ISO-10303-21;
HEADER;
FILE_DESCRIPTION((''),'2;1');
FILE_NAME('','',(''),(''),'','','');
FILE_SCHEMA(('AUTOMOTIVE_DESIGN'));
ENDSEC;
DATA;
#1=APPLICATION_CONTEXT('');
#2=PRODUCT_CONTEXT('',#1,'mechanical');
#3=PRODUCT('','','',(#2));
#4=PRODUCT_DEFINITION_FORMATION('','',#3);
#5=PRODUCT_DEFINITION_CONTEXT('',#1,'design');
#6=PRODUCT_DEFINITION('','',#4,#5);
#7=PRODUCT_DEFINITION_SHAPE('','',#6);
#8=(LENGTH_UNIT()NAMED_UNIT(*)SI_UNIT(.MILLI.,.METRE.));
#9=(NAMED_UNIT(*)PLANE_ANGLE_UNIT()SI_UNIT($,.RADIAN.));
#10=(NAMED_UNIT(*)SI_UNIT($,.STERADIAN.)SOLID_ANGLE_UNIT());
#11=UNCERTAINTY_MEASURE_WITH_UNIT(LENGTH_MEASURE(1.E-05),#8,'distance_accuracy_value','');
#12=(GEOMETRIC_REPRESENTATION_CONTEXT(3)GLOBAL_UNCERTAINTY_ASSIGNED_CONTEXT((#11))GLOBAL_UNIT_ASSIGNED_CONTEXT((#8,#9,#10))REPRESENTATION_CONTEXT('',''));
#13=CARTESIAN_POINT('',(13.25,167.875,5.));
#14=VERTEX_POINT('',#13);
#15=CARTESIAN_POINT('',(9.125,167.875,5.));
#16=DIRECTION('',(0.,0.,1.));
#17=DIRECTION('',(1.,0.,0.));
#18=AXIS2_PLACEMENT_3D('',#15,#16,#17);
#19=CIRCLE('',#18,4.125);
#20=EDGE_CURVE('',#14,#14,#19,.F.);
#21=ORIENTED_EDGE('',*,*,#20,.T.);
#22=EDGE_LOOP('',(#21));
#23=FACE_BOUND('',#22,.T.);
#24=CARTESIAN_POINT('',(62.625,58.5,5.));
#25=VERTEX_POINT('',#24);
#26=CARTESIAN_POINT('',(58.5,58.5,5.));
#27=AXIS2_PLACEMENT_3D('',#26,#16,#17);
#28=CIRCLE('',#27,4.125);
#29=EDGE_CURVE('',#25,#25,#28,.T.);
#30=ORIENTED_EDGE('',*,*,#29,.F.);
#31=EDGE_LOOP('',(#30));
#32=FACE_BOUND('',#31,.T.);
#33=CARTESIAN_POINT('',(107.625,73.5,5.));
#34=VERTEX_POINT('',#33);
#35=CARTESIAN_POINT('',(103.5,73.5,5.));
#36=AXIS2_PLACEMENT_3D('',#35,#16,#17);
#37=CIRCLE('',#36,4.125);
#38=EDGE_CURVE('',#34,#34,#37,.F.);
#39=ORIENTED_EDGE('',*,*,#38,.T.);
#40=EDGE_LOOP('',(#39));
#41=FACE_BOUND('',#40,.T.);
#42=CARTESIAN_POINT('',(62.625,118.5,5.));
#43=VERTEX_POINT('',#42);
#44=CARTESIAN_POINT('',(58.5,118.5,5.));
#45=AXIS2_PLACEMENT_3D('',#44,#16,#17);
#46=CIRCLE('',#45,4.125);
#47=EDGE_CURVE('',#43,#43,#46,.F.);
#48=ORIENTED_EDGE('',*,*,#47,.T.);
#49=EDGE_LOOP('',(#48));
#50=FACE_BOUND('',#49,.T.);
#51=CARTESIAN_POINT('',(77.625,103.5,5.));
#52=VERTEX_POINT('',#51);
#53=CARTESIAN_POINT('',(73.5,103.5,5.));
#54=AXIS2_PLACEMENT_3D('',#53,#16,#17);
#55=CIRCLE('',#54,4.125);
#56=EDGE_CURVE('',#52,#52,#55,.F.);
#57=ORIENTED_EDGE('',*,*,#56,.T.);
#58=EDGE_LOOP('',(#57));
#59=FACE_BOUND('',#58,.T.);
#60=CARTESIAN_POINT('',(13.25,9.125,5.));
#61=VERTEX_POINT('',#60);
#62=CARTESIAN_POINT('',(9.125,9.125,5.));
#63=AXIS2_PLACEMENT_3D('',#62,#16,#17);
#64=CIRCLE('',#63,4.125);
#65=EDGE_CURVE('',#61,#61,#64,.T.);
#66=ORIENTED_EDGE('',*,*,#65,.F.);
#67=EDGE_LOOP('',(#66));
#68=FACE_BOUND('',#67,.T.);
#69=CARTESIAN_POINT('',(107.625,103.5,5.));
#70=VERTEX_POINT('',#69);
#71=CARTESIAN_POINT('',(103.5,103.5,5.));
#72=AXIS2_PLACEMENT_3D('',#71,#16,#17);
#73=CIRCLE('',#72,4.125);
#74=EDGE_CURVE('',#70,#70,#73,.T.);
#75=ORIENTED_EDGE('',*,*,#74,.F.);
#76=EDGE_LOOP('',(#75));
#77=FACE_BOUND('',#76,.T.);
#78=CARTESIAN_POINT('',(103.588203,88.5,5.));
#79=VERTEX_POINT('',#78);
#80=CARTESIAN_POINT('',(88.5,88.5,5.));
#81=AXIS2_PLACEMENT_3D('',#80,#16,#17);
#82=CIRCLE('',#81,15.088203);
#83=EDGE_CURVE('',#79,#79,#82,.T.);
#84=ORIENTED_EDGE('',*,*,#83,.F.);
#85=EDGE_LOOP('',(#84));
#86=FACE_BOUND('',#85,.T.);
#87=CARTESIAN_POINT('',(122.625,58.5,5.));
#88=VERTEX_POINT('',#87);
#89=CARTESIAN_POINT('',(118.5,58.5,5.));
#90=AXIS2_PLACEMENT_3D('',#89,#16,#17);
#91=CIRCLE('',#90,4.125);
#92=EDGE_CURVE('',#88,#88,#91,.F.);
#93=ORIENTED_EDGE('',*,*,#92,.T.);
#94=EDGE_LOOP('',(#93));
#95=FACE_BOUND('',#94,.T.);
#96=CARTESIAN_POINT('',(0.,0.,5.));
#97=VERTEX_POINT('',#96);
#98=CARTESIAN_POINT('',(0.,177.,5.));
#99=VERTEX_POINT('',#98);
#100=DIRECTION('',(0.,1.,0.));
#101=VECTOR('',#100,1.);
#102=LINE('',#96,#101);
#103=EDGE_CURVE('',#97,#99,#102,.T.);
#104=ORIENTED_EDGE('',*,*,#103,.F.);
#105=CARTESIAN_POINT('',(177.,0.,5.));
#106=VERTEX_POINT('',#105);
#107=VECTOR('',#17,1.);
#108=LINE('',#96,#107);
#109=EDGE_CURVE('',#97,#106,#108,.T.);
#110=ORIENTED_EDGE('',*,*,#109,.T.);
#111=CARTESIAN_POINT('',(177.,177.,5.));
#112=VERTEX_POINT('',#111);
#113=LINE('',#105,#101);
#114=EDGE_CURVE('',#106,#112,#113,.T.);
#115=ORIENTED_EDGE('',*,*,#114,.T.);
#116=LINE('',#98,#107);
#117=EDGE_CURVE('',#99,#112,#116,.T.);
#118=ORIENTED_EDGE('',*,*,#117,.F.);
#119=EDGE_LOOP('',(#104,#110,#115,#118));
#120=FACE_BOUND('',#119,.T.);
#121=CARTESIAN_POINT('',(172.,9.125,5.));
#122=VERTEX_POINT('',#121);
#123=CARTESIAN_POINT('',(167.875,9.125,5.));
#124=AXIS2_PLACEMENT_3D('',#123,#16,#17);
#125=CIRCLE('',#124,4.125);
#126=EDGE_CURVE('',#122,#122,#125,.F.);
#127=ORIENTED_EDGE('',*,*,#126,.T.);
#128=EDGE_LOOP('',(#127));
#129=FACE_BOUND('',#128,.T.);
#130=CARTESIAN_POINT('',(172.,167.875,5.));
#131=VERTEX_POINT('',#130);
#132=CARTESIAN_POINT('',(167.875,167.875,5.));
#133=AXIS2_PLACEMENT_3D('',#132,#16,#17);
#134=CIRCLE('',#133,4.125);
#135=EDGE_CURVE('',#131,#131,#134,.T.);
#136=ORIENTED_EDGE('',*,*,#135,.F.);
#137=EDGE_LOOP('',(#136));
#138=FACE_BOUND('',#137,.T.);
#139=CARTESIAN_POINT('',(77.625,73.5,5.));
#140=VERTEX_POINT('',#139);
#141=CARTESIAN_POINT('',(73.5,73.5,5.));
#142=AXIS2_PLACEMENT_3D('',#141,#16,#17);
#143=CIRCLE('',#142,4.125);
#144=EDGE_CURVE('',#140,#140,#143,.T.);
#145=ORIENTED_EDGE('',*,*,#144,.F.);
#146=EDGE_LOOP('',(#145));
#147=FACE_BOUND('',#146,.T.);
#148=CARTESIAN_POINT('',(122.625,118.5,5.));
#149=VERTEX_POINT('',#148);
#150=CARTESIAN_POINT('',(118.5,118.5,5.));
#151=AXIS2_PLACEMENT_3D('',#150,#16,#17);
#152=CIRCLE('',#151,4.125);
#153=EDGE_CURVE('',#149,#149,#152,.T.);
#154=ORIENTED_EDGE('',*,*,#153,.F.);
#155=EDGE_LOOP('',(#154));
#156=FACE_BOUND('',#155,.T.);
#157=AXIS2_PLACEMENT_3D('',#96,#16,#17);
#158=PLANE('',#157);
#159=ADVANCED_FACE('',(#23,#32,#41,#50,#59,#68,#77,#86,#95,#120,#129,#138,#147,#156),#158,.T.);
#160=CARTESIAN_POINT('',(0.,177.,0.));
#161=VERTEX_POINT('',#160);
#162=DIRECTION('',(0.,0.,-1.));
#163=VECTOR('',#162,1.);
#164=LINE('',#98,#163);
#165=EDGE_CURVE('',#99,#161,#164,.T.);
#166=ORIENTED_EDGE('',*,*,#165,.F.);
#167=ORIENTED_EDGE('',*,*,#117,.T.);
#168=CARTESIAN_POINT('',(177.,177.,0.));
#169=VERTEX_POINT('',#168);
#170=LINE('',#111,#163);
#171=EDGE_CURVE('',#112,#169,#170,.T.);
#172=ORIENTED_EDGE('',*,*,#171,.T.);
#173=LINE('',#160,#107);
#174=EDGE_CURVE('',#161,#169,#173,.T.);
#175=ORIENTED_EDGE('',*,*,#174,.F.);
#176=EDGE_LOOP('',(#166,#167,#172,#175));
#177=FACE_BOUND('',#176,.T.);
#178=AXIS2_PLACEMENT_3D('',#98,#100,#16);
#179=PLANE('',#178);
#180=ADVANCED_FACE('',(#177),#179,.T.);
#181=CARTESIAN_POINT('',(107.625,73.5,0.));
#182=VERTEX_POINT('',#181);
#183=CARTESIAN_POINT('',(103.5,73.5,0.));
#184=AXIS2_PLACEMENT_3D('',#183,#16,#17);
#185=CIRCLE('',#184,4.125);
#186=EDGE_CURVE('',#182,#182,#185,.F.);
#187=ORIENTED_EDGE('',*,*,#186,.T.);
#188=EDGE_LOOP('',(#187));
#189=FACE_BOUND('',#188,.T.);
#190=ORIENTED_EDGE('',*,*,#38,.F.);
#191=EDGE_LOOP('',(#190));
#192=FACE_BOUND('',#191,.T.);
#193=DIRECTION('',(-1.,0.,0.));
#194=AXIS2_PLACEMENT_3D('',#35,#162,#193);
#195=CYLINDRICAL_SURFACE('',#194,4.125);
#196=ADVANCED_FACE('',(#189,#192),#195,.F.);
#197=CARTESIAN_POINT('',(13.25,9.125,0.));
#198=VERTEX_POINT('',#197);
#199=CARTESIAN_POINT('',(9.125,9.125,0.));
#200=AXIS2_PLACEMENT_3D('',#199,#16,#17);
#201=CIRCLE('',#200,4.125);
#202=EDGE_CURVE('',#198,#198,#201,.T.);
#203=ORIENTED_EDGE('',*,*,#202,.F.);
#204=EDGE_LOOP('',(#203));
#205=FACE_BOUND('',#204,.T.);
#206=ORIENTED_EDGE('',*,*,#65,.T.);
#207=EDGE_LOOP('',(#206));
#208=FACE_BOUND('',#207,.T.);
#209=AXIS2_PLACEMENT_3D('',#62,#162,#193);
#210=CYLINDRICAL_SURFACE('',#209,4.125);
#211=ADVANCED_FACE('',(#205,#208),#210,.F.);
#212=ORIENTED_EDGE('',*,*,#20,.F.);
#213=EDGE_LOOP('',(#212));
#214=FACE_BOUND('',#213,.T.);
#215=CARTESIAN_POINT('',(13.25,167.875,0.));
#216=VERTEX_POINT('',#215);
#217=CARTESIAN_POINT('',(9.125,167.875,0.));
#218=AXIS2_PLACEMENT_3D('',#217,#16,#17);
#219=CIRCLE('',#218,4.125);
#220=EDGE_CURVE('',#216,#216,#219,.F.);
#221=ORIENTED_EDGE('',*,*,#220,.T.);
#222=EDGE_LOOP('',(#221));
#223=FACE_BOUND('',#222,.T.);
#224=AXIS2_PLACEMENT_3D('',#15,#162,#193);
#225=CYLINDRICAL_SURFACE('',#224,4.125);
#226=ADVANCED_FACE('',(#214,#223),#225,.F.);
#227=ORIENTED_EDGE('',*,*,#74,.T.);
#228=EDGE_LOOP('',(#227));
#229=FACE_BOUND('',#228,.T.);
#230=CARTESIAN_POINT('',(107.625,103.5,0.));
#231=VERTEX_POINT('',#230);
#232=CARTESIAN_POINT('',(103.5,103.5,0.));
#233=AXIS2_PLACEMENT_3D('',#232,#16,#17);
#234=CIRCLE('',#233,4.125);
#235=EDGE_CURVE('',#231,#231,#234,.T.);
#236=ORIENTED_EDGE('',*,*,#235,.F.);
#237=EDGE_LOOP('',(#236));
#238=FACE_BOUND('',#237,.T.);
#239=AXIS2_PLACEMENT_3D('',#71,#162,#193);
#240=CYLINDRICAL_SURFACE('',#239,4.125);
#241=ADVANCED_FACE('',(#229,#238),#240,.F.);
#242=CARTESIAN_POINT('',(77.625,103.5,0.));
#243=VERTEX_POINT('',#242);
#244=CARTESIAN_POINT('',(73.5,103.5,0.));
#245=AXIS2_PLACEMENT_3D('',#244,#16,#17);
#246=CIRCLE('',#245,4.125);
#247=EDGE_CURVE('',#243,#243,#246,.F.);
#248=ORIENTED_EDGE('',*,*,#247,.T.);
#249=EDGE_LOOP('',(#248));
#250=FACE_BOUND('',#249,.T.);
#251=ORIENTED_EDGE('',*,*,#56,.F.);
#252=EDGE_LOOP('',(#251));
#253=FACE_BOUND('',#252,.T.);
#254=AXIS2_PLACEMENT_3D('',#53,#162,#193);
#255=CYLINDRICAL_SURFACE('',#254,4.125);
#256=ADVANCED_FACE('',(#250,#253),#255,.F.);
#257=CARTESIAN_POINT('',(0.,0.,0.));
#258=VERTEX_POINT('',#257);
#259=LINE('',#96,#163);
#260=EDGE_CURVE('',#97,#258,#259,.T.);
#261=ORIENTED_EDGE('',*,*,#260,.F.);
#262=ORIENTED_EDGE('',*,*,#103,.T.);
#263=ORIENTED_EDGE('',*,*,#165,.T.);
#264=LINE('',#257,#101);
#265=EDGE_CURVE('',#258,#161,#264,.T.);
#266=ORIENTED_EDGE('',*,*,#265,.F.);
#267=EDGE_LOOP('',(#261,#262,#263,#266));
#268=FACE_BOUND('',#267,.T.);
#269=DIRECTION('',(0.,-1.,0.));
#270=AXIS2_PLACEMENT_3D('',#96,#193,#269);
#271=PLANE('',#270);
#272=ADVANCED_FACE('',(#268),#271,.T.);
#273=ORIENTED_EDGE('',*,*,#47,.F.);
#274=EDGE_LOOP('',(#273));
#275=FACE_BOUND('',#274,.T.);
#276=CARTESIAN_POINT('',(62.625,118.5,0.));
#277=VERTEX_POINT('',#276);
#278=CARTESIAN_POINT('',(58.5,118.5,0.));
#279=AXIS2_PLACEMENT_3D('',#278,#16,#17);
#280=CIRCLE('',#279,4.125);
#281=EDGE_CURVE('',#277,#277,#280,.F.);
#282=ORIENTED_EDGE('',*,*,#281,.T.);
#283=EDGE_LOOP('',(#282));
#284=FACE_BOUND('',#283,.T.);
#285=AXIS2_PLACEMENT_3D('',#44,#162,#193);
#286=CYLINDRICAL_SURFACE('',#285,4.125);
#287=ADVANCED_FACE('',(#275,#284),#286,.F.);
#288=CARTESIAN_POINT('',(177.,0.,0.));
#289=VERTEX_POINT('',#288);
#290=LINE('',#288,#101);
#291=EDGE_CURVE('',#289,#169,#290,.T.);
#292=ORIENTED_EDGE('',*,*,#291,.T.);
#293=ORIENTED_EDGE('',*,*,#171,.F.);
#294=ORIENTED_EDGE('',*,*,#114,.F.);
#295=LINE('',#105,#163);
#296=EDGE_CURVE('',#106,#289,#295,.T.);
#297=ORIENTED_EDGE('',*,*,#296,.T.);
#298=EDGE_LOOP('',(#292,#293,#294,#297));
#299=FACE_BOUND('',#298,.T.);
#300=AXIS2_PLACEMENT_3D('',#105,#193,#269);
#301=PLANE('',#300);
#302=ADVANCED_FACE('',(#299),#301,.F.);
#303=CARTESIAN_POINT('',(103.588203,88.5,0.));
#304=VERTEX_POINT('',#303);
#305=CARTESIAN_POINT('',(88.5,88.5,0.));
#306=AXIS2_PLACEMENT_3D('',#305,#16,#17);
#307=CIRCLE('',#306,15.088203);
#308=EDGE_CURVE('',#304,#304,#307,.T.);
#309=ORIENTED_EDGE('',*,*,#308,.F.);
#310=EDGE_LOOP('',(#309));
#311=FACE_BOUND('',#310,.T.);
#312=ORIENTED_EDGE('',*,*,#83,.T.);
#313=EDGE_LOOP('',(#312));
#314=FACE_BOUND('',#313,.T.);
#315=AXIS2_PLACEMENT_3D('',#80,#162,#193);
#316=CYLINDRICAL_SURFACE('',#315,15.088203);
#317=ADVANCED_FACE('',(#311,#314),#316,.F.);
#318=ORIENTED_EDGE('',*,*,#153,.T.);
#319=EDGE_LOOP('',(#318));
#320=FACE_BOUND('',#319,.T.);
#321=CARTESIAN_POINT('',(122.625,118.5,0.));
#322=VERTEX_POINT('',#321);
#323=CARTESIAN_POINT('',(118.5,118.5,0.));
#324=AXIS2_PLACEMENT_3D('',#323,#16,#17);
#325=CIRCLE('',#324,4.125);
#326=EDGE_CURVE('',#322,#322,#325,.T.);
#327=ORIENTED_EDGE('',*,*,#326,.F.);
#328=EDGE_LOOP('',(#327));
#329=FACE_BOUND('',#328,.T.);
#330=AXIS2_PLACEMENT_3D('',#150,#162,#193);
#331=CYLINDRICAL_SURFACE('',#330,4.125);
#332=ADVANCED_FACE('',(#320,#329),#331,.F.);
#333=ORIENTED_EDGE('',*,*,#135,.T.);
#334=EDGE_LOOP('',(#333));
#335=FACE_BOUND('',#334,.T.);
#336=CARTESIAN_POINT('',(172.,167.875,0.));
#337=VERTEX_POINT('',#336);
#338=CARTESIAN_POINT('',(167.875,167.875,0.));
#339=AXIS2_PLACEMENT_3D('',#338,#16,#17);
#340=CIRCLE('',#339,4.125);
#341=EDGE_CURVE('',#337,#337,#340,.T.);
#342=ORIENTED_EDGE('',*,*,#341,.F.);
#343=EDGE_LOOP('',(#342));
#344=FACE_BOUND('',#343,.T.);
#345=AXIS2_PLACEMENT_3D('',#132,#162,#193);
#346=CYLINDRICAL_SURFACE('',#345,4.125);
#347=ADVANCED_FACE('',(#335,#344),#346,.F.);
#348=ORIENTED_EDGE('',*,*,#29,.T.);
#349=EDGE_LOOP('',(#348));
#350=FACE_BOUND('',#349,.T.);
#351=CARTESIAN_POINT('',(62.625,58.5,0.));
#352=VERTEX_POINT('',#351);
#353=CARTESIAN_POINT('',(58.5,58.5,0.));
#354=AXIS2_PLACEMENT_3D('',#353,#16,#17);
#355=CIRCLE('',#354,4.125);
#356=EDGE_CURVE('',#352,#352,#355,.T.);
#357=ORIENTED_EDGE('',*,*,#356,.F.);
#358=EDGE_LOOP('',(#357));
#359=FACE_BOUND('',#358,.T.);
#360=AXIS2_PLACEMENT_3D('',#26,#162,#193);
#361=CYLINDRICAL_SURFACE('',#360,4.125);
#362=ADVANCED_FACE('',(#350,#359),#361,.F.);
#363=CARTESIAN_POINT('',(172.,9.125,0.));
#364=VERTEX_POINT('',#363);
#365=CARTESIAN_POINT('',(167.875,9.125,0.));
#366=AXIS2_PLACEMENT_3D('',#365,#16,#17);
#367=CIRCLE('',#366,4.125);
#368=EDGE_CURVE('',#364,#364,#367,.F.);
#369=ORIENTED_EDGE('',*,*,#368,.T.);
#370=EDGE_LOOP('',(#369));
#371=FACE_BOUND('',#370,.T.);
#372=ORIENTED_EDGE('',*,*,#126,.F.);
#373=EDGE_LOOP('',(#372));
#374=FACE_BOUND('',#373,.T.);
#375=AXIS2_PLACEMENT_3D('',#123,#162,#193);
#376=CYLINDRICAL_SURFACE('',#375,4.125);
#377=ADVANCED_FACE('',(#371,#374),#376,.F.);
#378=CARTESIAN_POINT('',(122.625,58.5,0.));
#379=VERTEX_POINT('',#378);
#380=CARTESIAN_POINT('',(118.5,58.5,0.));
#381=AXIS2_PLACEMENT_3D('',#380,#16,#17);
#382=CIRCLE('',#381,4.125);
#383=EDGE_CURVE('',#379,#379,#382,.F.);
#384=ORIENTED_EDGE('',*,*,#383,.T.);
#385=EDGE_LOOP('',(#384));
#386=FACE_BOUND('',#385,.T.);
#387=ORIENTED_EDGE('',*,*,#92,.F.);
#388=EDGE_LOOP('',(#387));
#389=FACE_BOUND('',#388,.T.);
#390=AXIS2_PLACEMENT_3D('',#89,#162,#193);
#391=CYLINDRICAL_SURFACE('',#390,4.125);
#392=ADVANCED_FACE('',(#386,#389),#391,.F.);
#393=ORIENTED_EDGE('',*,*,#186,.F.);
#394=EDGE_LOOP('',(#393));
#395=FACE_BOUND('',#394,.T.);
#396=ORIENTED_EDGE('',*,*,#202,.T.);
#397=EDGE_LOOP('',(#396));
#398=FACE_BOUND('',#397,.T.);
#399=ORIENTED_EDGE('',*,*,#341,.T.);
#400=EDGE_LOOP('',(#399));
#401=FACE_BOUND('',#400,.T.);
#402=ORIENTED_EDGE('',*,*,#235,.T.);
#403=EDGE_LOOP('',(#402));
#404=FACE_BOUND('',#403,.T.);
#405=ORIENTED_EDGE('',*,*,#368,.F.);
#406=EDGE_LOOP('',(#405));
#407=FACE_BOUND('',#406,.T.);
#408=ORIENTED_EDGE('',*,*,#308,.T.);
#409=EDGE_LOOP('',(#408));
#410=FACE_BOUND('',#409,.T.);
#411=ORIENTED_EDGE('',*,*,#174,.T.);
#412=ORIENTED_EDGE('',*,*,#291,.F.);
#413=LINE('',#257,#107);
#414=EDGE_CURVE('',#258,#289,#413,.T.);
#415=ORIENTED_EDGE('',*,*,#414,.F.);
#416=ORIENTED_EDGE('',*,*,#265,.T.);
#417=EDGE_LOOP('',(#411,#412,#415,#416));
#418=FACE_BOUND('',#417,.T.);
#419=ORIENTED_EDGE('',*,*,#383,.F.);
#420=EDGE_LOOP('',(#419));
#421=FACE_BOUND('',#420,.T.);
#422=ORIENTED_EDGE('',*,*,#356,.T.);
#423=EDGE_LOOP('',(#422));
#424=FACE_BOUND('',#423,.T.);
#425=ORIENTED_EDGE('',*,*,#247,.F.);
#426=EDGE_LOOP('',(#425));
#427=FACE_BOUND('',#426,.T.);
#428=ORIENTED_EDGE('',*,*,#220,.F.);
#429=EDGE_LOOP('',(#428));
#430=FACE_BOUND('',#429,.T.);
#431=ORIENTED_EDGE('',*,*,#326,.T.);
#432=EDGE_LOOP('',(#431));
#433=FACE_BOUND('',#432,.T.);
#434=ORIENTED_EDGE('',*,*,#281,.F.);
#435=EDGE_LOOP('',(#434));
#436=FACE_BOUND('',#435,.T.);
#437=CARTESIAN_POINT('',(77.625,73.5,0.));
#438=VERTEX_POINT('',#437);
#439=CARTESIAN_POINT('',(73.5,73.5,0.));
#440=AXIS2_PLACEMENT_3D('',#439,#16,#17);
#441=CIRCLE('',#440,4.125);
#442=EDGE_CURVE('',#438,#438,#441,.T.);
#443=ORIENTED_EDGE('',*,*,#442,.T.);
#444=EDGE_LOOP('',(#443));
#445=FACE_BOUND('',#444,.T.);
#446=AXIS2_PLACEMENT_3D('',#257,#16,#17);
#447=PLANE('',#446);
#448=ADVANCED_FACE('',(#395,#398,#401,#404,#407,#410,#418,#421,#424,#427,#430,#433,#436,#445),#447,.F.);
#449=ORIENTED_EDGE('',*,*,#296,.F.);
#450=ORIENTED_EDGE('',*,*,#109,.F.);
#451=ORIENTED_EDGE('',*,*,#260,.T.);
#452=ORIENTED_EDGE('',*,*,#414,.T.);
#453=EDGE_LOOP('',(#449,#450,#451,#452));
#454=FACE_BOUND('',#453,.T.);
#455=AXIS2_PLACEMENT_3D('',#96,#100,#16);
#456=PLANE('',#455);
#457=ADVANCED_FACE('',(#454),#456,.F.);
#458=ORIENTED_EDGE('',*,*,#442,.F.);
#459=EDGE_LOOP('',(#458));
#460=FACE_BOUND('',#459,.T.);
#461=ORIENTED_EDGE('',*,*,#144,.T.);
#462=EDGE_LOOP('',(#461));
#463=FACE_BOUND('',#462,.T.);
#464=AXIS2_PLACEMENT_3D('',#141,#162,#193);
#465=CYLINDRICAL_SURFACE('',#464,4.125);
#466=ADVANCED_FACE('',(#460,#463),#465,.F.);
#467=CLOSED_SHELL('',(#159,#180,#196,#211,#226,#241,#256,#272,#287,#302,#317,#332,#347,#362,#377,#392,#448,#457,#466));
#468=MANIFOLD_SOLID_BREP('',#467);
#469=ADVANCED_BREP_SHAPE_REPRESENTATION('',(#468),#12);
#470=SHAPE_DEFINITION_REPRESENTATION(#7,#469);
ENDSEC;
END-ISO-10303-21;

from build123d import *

# Parameters (mm, degrees)
SKETCH1_W           = 177
SKETCH1_H           = 177
SKETCH1_R           = 4.125
SKETCH1_R_2         = 15.088203436
BOSS_EXTRUDE1_DEPTH = 5


with BuildPart() as part:
    # Sketch1 → Boss-Extrude1 (new body)
    with BuildSketch(Plane.XY):
        with Locations((88.5, 88.5)):
            Rectangle(SKETCH1_W, SKETCH1_H)
        with Locations((9.125, 9.125)):
            Circle(SKETCH1_R, mode=Mode.SUBTRACT)
        with Locations((167.875, 9.125)):
            Circle(SKETCH1_R, mode=Mode.SUBTRACT)
        with Locations((167.875, 167.875)):
            Circle(SKETCH1_R, mode=Mode.SUBTRACT)
        with Locations((88.5, 88.5)):
            Circle(SKETCH1_R_2, mode=Mode.SUBTRACT)
        with Locations((9.125, 167.875)):
            Circle(SKETCH1_R, mode=Mode.SUBTRACT)
        with Locations((73.5, 73.5)):
            Circle(SKETCH1_R, mode=Mode.SUBTRACT)
        with Locations((103.5, 73.5)):
            Circle(SKETCH1_R, mode=Mode.SUBTRACT)
        with Locations((73.5, 103.5)):
            Circle(SKETCH1_R, mode=Mode.SUBTRACT)
        with Locations((103.5, 103.5)):
            Circle(SKETCH1_R, mode=Mode.SUBTRACT)
        with Locations((58.5, 58.5)):
            Circle(SKETCH1_R, mode=Mode.SUBTRACT)
        with Locations((118.5, 58.5)):
            Circle(SKETCH1_R, mode=Mode.SUBTRACT)
        with Locations((58.5, 118.5)):
            Circle(SKETCH1_R, mode=Mode.SUBTRACT)
        with Locations((118.5, 118.5)):
            Circle(SKETCH1_R, mode=Mode.SUBTRACT)
    extrude(amount=BOSS_EXTRUDE1_DEPTH)


solid = part.part
